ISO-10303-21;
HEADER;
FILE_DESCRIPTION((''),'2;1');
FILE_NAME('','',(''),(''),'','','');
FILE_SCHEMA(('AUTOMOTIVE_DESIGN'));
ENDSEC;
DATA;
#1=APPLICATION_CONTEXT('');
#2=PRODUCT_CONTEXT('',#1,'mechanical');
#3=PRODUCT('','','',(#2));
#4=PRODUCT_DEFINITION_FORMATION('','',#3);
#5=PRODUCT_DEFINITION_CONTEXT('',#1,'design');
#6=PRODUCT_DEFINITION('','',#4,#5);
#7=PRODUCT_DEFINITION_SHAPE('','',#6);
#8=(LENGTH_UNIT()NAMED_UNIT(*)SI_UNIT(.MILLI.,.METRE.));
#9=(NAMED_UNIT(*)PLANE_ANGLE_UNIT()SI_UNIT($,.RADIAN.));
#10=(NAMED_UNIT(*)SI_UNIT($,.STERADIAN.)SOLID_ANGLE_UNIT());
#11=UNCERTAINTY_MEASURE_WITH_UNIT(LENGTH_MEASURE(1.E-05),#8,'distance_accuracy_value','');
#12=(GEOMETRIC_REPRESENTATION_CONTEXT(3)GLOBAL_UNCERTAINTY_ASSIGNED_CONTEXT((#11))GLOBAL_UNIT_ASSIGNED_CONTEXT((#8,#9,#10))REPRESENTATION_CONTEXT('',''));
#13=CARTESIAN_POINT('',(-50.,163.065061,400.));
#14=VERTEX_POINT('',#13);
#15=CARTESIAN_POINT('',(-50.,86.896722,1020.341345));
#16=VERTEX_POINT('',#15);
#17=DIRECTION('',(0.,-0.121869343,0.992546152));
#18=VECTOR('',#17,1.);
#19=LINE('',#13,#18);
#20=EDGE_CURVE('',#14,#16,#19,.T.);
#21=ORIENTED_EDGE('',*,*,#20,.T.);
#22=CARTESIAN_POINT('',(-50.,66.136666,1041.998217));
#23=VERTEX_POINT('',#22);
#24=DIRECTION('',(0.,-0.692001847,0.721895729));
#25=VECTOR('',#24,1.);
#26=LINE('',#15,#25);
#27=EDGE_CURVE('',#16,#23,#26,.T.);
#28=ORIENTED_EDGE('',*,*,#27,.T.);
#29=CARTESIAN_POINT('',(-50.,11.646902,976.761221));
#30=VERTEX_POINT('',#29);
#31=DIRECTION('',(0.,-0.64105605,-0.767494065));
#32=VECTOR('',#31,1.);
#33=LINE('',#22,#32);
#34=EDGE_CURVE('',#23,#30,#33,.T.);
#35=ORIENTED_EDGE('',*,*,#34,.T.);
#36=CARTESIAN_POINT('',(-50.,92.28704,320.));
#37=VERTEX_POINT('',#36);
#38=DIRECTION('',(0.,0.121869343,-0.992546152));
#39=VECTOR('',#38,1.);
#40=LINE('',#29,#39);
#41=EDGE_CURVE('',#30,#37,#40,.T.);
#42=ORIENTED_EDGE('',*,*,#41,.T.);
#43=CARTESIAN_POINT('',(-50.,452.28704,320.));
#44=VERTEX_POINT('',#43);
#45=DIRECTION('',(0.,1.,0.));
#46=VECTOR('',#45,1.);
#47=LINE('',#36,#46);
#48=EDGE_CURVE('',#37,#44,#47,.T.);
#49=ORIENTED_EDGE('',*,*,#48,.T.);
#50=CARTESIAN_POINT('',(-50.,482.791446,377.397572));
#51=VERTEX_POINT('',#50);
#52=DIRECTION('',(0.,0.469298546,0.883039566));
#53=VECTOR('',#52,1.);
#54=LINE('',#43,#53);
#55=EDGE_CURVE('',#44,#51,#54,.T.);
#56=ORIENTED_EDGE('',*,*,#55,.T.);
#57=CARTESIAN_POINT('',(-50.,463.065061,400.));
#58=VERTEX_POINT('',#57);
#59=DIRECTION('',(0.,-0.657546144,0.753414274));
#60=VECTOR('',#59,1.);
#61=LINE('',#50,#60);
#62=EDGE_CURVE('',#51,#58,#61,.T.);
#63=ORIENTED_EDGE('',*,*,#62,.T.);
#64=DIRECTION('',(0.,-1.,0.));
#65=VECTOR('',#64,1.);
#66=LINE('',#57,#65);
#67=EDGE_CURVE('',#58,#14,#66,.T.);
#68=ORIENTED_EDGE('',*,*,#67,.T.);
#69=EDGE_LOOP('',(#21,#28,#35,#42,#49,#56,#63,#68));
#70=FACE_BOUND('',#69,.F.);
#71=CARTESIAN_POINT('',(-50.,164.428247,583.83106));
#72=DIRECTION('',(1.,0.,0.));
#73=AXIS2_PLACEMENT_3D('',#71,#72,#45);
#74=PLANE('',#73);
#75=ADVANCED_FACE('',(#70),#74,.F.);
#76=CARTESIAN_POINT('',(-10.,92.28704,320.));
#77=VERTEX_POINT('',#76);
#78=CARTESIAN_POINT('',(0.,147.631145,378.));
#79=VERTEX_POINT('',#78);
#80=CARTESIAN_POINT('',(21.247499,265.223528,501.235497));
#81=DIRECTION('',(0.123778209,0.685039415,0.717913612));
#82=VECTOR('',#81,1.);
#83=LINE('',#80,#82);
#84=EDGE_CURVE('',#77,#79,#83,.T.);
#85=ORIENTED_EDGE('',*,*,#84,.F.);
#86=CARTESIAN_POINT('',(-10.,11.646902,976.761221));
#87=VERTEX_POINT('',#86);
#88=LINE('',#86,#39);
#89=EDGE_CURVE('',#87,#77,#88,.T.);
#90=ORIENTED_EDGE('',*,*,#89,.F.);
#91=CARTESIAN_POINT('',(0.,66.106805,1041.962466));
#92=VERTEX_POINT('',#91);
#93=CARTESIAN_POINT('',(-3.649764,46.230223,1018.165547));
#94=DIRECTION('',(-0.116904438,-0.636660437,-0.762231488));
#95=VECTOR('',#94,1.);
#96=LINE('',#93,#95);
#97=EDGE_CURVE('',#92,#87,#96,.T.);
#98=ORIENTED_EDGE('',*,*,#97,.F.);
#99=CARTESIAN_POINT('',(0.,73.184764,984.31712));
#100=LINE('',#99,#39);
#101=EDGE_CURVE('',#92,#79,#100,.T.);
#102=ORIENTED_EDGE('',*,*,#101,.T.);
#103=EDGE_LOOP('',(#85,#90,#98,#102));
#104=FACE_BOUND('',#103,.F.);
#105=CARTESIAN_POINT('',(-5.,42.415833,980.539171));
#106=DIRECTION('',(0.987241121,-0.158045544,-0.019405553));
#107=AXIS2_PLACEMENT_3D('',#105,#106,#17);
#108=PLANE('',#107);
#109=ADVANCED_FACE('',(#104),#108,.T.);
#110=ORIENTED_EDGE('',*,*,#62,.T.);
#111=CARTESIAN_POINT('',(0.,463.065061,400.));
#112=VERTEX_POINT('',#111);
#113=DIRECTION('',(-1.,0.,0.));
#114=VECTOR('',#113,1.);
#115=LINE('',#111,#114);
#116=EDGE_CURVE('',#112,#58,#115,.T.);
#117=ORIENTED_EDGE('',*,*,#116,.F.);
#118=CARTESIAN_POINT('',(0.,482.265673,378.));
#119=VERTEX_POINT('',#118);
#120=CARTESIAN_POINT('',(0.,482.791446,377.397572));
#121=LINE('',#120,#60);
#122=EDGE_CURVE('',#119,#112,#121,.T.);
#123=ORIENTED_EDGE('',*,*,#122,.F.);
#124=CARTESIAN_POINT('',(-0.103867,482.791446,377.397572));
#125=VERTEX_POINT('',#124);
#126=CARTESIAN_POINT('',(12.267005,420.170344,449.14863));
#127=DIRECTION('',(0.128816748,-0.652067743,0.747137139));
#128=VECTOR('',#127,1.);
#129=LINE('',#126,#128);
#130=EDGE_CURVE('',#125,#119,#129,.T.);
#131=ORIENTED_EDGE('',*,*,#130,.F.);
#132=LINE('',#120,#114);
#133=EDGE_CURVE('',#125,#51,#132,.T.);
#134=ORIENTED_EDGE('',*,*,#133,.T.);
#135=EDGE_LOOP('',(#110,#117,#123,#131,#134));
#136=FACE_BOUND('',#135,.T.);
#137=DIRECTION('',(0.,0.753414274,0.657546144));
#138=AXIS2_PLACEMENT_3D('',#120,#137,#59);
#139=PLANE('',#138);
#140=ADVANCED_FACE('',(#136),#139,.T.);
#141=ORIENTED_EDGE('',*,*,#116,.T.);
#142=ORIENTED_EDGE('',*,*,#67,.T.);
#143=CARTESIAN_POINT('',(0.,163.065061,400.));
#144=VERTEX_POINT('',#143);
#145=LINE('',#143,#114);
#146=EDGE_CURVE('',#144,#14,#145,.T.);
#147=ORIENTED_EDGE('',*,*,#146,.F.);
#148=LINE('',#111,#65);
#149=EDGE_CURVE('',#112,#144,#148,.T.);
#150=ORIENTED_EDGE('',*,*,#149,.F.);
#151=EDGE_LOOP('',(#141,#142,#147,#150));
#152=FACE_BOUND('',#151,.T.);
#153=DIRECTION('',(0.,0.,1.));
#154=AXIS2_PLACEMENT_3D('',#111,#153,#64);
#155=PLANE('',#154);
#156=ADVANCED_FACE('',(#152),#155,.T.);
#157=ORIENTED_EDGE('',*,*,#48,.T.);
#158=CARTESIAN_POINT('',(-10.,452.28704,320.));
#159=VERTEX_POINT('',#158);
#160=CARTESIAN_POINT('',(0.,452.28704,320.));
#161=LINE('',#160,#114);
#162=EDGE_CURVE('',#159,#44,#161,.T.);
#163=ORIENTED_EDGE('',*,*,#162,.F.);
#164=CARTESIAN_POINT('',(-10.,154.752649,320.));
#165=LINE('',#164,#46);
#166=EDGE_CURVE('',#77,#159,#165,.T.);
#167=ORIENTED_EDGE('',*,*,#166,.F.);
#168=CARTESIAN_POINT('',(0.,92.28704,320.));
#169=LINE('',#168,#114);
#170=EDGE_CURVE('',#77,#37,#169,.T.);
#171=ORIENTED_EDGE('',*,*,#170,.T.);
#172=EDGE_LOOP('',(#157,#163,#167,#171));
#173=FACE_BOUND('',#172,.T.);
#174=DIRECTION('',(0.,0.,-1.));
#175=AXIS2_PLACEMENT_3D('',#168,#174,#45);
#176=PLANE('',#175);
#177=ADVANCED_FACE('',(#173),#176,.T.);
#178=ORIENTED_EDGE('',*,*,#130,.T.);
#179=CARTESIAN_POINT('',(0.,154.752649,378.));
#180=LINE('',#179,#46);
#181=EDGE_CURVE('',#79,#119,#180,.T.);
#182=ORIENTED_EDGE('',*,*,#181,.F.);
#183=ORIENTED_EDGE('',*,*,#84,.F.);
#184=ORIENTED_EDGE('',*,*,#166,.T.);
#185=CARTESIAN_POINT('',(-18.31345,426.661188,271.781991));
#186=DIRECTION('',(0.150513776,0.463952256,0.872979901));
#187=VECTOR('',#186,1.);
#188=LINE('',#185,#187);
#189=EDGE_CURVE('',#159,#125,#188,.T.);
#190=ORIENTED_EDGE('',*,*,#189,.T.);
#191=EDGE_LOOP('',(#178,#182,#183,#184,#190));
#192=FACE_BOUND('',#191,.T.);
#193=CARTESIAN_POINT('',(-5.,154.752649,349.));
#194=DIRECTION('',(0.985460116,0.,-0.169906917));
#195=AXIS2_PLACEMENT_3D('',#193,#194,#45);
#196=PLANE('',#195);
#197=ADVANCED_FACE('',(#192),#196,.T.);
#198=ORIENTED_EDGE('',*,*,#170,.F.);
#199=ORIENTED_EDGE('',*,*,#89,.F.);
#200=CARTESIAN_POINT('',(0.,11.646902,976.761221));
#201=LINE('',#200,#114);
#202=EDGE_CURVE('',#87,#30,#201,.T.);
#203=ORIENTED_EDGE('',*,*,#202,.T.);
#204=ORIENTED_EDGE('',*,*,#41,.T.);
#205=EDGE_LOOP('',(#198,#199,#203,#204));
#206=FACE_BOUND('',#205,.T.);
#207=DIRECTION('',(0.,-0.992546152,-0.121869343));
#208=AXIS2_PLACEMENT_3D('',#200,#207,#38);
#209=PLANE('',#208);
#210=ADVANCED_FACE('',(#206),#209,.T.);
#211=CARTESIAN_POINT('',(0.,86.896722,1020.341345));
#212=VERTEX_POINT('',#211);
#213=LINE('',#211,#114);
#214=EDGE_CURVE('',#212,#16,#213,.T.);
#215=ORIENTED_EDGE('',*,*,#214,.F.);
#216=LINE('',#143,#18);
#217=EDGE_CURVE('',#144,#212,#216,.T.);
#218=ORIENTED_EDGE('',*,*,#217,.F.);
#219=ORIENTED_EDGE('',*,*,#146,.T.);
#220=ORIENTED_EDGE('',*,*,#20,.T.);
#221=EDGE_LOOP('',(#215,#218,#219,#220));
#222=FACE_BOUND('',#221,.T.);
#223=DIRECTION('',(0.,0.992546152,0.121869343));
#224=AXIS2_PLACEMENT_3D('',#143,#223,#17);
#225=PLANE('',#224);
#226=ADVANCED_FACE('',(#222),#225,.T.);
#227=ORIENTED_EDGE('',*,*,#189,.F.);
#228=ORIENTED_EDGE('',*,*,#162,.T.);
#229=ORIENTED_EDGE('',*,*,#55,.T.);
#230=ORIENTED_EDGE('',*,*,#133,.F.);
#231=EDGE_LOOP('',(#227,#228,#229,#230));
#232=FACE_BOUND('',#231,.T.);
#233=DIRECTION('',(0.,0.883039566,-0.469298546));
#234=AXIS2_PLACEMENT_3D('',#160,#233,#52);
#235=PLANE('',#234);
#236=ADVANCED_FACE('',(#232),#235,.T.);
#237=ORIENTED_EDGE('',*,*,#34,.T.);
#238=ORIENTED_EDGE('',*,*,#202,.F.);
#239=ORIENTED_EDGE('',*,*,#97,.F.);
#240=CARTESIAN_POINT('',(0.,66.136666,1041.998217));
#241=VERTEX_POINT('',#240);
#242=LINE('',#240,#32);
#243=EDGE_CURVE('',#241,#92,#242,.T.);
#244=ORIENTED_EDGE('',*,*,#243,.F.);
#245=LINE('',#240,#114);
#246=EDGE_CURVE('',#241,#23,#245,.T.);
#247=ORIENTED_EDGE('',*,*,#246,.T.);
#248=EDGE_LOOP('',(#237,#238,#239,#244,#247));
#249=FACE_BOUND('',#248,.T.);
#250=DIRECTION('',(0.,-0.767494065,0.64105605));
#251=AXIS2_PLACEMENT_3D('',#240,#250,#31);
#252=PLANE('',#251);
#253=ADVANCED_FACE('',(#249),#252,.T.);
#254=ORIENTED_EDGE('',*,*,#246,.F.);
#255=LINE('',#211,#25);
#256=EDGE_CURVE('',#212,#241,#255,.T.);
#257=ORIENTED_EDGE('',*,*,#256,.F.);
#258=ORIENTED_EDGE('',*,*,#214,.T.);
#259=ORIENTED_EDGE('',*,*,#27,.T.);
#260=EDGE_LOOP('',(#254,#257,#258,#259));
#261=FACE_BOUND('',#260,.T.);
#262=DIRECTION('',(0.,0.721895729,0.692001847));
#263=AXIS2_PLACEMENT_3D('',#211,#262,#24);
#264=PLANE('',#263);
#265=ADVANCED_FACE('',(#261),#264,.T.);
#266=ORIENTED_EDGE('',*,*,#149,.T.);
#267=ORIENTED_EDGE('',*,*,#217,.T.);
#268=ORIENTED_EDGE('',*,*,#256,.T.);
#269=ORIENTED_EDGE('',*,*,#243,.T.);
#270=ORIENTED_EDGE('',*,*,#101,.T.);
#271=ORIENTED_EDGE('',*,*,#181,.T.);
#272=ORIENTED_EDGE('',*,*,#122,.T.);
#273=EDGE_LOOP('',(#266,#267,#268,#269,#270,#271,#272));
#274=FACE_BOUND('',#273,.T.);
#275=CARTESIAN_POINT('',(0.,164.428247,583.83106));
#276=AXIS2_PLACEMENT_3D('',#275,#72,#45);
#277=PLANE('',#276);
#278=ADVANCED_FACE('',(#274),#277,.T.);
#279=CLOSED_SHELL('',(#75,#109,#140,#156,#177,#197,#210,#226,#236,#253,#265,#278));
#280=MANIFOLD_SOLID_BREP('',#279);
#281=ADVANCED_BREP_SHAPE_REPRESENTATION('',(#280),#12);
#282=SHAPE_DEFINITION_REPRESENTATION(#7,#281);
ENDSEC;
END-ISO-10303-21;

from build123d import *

# Parameters (mm, degrees)
F1_DEPTH = 50
F2_SIZE2 = 10
F2_SIZE  = 62
F3_SIZE2 = 58
F3_SIZE  = 10


with BuildPart() as f1:
    # F0 (on Right) → F1 (new body)
    with BuildSketch(Plane.YZ):
        Polygon((482.7914457609, 377.3975717771), (463.0650614387, 400), (163.0650614387, 400), (86.8967218104, 1020.3413447758), (66.1366664017, 1041.9982166512), (11.6469021237, 976.7612210971), (92.2870402742, 320), (452.2870402742, 320), align=None)
    extrude(amount=-F1_DEPTH)

    # F2
    f2_edges = [f1.edges().sort_by_distance(p)[0] for p in [
        (0, 51.966971, 648.380611),
    ]]
    f2_side = f1.faces().sort_by_distance((0, 466.432885, 383.02992))[0]
    chamfer(f2_edges, length=F2_SIZE, length2=F2_SIZE2, reference=f2_side)

    # F3
    f3_edges = [f1.edges().sort_by_distance(p)[0] for p in [
        (0, 303.519845, 320),
    ]]
    f3_side = f1.faces().sort_by_distance((-25.382589, 275.0978, 320))[0]
    chamfer(f3_edges, length=F3_SIZE, length2=F3_SIZE2, reference=f3_side)


solid = f1.part
